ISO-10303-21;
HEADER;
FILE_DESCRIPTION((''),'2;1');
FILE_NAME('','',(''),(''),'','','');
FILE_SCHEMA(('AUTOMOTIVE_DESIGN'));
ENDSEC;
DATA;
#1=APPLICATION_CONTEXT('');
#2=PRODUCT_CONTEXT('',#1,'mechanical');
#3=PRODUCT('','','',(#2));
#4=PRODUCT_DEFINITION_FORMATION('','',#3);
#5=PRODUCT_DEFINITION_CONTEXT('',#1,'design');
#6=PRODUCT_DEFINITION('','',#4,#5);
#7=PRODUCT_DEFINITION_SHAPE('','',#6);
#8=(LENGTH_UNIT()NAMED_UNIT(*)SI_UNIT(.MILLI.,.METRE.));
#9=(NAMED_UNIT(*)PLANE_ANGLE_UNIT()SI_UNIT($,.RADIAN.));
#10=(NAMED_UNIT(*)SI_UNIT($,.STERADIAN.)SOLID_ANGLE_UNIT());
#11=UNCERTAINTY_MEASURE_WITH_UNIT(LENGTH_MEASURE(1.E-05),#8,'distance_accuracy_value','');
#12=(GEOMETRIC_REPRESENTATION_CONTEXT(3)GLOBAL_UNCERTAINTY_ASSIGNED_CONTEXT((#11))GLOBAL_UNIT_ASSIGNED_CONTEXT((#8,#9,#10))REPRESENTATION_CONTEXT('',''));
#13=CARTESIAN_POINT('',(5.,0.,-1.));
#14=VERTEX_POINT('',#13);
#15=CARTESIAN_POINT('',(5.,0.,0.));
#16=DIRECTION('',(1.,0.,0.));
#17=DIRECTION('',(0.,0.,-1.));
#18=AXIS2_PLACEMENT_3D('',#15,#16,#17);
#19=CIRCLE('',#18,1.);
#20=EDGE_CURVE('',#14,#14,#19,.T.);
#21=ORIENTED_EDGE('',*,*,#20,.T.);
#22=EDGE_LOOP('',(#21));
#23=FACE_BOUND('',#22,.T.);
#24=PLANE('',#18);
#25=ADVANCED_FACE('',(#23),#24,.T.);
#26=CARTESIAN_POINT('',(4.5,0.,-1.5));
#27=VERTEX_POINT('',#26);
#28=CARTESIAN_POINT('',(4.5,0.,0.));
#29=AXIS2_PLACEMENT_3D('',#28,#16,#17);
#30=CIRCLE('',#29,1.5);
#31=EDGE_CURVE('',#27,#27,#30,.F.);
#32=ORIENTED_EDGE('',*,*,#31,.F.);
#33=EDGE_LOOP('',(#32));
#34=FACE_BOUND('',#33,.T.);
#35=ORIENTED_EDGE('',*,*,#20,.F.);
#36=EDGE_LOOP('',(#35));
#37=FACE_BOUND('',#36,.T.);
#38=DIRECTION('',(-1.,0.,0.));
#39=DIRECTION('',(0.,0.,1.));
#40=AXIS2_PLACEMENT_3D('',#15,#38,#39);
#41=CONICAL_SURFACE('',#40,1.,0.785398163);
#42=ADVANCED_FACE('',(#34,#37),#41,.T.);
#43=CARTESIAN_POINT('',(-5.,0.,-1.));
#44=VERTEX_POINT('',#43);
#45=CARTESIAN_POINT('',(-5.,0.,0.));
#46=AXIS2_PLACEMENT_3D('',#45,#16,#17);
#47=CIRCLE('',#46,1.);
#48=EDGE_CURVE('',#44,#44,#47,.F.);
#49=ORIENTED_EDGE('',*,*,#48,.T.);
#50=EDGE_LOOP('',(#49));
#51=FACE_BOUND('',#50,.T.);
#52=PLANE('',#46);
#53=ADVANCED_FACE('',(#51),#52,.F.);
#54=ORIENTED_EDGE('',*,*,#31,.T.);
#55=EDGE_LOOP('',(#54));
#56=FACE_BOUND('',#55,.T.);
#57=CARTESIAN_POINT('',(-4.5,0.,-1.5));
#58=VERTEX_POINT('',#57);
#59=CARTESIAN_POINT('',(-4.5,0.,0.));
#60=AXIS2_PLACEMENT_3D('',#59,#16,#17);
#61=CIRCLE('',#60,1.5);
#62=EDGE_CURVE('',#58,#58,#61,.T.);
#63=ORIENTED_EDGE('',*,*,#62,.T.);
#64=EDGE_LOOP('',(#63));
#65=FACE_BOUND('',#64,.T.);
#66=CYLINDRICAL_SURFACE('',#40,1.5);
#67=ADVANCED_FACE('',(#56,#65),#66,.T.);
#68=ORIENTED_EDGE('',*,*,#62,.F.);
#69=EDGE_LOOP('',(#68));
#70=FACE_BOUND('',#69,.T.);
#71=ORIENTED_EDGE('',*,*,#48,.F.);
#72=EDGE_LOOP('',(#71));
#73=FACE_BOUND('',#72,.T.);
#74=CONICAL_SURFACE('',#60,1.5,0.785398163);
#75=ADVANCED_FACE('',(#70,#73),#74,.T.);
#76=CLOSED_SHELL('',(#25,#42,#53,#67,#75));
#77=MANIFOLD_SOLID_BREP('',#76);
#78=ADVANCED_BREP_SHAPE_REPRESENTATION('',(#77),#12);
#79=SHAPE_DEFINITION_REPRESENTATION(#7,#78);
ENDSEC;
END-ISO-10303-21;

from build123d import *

# Parameters (mm, degrees)
ESQUISSE1_R     = 1.5
AXE_DEPTH       = 5
CHANFREIN1_SIZE = 0.5


with BuildPart() as part:
    # Esquisse1 → AXE (new body, symmetric)
    with BuildSketch(Plane(origin=(0, 0, 0), x_dir=(0, 0, -1), z_dir=(1, 0, 0))):
        Circle(ESQUISSE1_R)
    extrude(amount=AXE_DEPTH, both=True)

    # Chanfrein1
    chanfrein1_edges = [part.edges().sort_by_distance(p)[0] for p in [
        (-5, 0, 1.5),
        (5, 0, 1.5),
    ]]
    chamfer(chanfrein1_edges, length=CHANFREIN1_SIZE)


solid = part.part
